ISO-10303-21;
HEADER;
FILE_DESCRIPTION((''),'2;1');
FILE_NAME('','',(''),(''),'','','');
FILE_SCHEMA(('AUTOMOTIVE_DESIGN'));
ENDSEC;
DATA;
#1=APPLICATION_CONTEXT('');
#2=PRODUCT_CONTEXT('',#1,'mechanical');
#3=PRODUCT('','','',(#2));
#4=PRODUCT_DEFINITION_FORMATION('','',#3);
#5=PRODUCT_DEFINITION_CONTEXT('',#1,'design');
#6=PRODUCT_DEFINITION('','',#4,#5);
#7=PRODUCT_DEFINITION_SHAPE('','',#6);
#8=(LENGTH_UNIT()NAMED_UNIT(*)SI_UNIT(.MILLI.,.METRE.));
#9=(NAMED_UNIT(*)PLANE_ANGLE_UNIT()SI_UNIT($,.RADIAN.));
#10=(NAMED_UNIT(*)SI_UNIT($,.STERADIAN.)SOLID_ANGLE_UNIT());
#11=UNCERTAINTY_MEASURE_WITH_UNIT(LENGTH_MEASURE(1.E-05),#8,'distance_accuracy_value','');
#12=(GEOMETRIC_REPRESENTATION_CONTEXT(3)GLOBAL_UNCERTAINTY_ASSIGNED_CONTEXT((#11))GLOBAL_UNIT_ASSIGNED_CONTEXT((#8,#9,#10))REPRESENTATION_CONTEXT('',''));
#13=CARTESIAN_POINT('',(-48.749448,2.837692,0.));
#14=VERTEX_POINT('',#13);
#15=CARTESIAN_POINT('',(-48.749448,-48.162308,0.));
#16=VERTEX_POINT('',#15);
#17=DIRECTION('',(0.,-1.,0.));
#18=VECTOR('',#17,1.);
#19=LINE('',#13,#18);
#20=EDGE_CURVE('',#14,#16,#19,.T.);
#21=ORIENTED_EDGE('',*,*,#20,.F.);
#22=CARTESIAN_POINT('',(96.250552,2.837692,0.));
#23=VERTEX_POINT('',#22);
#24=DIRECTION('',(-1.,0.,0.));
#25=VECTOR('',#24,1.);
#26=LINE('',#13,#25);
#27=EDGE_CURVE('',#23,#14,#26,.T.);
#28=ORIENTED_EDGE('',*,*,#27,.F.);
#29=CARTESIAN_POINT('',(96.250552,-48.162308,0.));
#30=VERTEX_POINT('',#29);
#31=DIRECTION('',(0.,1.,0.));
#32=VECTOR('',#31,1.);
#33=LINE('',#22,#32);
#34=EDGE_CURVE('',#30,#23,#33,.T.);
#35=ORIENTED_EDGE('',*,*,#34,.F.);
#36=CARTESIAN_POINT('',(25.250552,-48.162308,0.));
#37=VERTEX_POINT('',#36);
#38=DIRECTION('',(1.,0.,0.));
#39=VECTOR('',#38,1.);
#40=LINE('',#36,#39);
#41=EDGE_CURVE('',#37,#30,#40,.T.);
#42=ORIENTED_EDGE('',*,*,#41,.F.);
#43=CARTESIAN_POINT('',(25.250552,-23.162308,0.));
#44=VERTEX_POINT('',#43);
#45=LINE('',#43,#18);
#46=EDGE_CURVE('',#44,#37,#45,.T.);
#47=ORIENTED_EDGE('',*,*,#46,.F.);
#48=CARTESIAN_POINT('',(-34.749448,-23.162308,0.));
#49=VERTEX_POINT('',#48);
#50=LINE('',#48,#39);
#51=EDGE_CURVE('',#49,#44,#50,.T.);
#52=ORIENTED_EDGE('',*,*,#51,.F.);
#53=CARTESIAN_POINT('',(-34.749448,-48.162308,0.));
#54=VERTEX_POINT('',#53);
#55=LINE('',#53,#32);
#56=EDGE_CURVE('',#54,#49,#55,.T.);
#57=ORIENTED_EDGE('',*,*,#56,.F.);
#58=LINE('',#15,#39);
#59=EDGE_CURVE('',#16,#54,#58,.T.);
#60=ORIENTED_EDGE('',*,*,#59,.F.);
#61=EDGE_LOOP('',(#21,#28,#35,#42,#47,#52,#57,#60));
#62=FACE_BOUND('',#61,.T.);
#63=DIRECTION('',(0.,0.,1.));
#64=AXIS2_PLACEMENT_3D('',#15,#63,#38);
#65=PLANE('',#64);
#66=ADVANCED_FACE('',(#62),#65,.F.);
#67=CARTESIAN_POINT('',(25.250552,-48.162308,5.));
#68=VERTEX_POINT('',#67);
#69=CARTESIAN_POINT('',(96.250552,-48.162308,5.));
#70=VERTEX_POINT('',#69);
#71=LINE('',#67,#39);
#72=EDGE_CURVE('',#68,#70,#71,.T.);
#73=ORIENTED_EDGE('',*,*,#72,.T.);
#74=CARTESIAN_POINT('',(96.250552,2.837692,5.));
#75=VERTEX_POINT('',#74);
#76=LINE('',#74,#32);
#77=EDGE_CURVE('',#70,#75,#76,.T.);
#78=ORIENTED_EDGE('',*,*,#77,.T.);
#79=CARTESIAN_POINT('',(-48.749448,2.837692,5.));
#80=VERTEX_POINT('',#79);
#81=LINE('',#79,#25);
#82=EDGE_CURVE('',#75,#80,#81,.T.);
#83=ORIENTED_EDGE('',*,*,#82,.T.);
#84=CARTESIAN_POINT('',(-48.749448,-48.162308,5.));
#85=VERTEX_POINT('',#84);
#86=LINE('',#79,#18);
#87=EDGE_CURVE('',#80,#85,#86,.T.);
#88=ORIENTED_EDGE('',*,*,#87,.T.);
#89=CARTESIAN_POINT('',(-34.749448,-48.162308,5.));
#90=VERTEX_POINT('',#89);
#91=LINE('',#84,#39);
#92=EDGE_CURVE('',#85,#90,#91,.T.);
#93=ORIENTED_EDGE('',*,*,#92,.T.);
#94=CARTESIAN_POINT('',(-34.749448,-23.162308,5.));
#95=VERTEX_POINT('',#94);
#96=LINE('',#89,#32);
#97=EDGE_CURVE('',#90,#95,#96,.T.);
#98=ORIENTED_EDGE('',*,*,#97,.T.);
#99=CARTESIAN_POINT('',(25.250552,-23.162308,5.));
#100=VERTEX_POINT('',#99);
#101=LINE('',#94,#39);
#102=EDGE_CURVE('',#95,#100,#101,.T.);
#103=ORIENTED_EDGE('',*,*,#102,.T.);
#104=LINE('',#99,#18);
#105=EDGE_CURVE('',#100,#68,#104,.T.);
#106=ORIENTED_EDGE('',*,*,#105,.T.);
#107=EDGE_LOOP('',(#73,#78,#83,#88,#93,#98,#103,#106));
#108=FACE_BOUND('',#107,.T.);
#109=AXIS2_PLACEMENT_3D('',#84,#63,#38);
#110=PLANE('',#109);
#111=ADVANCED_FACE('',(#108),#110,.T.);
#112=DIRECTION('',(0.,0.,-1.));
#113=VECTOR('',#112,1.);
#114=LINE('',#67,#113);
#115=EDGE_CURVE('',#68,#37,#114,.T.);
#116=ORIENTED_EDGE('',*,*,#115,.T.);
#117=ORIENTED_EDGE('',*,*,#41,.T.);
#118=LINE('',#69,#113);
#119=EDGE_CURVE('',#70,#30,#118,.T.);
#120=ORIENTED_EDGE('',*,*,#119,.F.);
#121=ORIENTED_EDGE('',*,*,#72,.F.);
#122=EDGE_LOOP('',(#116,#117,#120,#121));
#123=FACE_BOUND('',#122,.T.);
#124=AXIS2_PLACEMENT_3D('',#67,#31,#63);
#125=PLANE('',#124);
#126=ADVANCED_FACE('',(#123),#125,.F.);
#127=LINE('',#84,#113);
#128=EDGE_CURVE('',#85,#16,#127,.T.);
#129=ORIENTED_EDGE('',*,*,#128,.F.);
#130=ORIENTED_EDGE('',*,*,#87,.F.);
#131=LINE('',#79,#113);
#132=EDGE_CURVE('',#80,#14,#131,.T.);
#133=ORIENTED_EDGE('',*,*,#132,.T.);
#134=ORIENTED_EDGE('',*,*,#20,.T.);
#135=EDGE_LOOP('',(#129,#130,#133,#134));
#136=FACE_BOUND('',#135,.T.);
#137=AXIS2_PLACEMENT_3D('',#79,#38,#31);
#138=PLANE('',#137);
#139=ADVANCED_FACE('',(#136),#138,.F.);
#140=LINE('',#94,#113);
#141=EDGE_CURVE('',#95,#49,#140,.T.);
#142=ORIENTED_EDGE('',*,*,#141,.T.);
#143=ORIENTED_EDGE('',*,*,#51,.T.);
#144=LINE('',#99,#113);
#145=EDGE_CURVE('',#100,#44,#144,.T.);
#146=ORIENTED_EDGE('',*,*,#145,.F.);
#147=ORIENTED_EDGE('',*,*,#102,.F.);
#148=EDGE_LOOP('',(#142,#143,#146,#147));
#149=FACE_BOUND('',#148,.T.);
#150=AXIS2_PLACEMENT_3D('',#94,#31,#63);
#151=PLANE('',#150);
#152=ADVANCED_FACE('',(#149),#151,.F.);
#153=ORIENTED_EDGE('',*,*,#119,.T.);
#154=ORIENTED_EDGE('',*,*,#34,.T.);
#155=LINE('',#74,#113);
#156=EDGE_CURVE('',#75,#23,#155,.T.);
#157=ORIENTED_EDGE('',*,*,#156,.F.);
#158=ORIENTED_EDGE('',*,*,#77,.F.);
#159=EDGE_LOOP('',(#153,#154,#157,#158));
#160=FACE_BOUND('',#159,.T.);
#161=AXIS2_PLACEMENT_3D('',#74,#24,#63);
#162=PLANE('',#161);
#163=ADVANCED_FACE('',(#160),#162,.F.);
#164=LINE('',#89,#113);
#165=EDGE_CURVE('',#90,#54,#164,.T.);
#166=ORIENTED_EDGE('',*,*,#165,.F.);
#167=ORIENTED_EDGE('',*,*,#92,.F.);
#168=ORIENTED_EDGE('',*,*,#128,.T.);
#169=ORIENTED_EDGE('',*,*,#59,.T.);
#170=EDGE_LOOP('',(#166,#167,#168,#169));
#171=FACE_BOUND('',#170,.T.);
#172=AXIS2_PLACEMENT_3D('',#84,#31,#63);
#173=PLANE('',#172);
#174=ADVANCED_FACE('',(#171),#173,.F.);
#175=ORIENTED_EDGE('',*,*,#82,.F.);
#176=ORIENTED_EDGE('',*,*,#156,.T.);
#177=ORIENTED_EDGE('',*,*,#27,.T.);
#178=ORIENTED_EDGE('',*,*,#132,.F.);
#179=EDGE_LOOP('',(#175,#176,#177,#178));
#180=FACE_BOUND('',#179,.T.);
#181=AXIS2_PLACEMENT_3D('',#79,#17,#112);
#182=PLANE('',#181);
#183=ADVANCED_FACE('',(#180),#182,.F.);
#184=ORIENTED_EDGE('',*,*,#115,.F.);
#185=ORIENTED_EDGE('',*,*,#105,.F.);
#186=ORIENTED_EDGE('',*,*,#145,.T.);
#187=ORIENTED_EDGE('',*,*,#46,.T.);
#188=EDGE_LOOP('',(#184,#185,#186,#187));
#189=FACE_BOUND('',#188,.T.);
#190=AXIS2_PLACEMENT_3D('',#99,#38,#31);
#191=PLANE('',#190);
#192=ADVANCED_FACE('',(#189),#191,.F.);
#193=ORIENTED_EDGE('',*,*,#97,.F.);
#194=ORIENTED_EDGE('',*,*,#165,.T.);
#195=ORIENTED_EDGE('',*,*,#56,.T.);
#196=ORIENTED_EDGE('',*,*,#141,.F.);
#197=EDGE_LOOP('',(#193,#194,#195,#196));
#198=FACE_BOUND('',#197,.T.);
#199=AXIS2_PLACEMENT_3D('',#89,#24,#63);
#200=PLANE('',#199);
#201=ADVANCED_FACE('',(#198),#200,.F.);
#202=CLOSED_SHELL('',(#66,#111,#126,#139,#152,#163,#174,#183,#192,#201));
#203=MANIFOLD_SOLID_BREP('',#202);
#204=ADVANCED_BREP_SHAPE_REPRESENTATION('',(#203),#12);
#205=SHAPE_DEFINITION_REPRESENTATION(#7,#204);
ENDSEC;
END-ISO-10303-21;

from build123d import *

# Parameters (mm, degrees)
EXTRUSION1_DEPTH = 5


with BuildPart() as part:
    # Esquisse1 → Extrusion1 (new body)
    with BuildSketch(Plane.XY):
        Polygon((-48.749448329, -48.162307692), (-34.749448329, -48.162307692), (-34.749448329, -23.162307692), (25.250551671, -23.162307692), (25.250551671, -48.162307692), (96.250551671, -48.162307692), (96.250551671, 2.837692308), (-48.749448329, 2.837692308), align=None)
    extrude(amount=EXTRUSION1_DEPTH)


solid = part.part
